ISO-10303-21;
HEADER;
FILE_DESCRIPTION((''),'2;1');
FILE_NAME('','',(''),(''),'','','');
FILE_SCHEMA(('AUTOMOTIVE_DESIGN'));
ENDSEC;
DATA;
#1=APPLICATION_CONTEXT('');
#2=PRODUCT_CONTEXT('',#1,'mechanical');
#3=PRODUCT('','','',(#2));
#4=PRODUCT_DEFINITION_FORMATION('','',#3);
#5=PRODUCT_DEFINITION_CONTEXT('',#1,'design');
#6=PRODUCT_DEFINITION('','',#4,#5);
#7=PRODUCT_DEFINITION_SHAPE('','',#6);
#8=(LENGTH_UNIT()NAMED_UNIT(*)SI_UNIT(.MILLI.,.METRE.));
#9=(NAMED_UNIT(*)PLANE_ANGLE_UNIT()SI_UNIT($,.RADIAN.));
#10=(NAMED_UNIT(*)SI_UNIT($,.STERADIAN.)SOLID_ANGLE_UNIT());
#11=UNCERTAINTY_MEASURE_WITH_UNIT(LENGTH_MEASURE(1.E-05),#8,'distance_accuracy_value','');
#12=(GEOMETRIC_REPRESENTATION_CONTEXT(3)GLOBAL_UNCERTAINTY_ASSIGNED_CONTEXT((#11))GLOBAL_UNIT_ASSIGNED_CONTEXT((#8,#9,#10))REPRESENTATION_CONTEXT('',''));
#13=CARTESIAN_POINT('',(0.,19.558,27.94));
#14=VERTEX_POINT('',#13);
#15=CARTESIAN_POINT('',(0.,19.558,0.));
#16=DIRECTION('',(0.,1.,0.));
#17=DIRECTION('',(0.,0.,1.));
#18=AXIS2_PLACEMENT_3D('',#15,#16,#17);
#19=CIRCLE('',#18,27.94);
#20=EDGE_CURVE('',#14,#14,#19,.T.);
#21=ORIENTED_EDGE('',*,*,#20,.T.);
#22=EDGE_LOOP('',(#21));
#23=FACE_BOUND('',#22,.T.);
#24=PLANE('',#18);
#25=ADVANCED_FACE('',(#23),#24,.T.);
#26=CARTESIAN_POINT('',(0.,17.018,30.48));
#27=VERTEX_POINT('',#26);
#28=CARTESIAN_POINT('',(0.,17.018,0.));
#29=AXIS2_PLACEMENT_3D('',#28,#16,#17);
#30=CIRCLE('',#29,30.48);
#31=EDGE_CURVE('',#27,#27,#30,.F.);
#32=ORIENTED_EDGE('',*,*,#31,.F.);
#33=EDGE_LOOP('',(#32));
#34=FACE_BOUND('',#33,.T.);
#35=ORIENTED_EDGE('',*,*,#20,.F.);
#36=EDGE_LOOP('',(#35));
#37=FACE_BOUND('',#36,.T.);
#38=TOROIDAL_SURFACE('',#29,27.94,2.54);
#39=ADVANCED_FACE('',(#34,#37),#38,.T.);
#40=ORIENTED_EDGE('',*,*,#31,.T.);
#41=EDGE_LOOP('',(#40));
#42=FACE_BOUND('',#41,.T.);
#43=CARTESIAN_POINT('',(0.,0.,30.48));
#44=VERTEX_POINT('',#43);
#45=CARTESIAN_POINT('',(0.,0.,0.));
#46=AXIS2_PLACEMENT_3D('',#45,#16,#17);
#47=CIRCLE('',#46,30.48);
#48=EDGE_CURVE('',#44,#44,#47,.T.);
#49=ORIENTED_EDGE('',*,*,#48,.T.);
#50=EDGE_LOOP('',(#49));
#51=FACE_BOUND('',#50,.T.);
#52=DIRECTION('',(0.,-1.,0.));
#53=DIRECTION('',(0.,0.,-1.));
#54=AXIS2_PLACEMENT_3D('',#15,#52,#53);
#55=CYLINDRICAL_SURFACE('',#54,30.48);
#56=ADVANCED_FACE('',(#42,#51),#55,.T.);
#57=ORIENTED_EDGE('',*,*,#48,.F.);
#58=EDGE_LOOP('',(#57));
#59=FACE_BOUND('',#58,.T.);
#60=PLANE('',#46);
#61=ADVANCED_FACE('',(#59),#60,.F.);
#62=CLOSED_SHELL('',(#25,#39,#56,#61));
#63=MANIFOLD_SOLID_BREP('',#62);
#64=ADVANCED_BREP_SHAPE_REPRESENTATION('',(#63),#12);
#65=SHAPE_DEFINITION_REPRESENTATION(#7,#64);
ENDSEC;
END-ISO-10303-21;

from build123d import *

# Parameters (mm, degrees)
SKETCH1_R           = 30.48
BOSS_EXTRUDE1_DEPTH = 19.558
FILLET1_R           = 2.54


with BuildPart() as part:
    # Sketch1 → Boss-Extrude1 (new body)
    with BuildSketch(Plane(origin=(0, 0, 0), x_dir=(1, 0, 0), z_dir=(0, 1, 0))):
        Circle(SKETCH1_R)
    extrude(amount=BOSS_EXTRUDE1_DEPTH)

    # Fillet1
    fillet1_edges = [part.edges().sort_by_distance(p)[0] for p in [
        (-30.48, 19.558, 0),
    ]]
    fillet(fillet1_edges, radius=FILLET1_R)


solid = part.part
